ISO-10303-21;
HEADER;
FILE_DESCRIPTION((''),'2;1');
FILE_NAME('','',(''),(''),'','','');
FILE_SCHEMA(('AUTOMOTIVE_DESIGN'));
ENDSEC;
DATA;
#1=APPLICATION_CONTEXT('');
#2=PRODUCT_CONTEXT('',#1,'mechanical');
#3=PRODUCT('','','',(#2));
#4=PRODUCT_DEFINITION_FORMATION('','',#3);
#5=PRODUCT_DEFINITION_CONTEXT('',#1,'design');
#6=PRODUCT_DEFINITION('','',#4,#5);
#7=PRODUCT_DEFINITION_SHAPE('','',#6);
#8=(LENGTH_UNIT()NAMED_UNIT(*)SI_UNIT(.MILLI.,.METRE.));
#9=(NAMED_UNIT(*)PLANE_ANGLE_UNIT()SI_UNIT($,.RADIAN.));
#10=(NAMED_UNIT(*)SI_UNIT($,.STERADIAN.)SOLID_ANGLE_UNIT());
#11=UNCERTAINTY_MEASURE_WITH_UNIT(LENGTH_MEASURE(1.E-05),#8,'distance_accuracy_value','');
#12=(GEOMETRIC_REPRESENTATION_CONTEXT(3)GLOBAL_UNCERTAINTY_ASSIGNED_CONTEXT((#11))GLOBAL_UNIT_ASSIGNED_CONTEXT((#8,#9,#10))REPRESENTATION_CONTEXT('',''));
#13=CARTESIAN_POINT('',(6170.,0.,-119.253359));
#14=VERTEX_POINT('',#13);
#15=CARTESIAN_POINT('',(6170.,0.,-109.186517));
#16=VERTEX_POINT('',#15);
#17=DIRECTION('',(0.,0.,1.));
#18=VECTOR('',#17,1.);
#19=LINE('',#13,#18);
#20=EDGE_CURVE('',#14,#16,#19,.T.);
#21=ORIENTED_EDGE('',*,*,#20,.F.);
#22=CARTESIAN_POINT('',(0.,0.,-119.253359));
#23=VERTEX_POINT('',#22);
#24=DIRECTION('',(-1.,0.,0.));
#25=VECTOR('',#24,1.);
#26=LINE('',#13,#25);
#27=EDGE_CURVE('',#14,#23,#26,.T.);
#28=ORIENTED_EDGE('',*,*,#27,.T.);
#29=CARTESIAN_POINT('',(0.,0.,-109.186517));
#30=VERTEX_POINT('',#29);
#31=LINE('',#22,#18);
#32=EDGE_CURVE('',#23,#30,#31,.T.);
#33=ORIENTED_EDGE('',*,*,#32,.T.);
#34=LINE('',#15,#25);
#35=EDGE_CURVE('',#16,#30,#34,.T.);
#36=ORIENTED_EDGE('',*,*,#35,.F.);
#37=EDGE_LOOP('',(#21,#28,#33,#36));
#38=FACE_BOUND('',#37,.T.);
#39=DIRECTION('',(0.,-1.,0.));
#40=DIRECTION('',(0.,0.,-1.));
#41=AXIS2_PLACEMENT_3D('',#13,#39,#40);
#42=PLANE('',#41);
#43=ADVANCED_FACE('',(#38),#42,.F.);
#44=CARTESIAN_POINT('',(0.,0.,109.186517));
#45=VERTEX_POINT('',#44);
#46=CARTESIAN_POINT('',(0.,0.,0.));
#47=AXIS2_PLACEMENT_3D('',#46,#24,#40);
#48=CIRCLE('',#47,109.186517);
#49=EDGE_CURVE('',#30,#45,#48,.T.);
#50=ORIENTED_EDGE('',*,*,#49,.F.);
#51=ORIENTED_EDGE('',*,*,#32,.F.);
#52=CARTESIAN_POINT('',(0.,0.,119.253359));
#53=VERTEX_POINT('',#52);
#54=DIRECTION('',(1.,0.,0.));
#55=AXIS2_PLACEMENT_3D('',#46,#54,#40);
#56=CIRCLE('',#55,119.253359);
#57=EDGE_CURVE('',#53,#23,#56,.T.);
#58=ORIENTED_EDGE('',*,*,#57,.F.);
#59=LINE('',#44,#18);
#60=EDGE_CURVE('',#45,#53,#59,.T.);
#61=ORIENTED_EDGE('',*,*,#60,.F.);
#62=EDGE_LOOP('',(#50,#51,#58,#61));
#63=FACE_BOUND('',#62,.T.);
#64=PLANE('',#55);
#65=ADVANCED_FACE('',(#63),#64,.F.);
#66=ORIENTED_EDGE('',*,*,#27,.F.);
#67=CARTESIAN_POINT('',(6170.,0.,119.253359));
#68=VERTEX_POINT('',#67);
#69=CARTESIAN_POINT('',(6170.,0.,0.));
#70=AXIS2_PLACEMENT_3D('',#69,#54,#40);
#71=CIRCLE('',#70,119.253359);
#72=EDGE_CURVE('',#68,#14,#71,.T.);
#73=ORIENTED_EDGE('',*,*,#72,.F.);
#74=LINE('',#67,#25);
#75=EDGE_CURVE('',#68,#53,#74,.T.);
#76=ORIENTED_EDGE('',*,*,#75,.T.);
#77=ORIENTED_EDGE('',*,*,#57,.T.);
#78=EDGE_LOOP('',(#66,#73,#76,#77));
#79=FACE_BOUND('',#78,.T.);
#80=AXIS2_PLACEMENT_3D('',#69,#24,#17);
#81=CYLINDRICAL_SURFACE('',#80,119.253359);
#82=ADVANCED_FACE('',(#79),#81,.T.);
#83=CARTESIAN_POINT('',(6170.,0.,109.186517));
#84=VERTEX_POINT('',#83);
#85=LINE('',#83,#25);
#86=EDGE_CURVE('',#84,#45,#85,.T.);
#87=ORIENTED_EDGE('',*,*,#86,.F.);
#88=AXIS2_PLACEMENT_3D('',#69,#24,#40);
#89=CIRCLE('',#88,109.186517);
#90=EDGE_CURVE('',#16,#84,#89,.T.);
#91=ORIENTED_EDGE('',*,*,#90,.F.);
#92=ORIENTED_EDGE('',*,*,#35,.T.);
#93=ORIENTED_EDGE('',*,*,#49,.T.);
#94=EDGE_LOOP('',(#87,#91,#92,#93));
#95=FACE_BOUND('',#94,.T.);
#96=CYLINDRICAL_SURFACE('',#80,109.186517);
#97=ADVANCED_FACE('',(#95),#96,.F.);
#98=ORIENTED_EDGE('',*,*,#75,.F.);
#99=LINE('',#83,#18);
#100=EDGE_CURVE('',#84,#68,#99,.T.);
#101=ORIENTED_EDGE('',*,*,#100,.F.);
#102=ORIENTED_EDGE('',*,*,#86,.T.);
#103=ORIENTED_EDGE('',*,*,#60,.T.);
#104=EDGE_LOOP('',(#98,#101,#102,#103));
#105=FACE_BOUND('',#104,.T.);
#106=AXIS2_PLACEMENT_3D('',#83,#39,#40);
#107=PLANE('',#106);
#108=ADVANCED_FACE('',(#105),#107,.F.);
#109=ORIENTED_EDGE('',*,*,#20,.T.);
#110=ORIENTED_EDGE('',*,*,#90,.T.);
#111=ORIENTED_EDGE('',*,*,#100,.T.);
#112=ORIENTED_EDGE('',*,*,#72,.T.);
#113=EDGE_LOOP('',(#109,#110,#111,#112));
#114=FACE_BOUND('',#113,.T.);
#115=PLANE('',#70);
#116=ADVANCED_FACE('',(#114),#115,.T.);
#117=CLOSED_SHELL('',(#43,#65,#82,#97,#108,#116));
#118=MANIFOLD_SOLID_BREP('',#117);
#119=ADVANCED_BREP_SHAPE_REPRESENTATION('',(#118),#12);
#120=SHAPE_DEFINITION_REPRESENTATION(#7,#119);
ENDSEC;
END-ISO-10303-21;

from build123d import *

# Parameters (mm, degrees)
EXTRUDE_1_DEPTH = 6170


with BuildPart() as part:
    # Эскиз1 → Бобышка-Вытянуть1 (new body)
    with BuildSketch(Plane(origin=(0, 0, 0), x_dir=(0, 0, -1), z_dir=(1, 0, 0))):
        with BuildLine():
            Line((119.253358772, 0), (109.186516798, 0))
            ThreePointArc((109.186516798, 0), (0, -109.186516798), (-109.186516798, 0))
            Line((-109.186516798, 0), (-119.253358772, 0))
            ThreePointArc((-119.253358772, 0), (0, -119.253358772), (119.253358772, 0))
        make_face()
    extrude(amount=EXTRUDE_1_DEPTH)


solid = part.part
